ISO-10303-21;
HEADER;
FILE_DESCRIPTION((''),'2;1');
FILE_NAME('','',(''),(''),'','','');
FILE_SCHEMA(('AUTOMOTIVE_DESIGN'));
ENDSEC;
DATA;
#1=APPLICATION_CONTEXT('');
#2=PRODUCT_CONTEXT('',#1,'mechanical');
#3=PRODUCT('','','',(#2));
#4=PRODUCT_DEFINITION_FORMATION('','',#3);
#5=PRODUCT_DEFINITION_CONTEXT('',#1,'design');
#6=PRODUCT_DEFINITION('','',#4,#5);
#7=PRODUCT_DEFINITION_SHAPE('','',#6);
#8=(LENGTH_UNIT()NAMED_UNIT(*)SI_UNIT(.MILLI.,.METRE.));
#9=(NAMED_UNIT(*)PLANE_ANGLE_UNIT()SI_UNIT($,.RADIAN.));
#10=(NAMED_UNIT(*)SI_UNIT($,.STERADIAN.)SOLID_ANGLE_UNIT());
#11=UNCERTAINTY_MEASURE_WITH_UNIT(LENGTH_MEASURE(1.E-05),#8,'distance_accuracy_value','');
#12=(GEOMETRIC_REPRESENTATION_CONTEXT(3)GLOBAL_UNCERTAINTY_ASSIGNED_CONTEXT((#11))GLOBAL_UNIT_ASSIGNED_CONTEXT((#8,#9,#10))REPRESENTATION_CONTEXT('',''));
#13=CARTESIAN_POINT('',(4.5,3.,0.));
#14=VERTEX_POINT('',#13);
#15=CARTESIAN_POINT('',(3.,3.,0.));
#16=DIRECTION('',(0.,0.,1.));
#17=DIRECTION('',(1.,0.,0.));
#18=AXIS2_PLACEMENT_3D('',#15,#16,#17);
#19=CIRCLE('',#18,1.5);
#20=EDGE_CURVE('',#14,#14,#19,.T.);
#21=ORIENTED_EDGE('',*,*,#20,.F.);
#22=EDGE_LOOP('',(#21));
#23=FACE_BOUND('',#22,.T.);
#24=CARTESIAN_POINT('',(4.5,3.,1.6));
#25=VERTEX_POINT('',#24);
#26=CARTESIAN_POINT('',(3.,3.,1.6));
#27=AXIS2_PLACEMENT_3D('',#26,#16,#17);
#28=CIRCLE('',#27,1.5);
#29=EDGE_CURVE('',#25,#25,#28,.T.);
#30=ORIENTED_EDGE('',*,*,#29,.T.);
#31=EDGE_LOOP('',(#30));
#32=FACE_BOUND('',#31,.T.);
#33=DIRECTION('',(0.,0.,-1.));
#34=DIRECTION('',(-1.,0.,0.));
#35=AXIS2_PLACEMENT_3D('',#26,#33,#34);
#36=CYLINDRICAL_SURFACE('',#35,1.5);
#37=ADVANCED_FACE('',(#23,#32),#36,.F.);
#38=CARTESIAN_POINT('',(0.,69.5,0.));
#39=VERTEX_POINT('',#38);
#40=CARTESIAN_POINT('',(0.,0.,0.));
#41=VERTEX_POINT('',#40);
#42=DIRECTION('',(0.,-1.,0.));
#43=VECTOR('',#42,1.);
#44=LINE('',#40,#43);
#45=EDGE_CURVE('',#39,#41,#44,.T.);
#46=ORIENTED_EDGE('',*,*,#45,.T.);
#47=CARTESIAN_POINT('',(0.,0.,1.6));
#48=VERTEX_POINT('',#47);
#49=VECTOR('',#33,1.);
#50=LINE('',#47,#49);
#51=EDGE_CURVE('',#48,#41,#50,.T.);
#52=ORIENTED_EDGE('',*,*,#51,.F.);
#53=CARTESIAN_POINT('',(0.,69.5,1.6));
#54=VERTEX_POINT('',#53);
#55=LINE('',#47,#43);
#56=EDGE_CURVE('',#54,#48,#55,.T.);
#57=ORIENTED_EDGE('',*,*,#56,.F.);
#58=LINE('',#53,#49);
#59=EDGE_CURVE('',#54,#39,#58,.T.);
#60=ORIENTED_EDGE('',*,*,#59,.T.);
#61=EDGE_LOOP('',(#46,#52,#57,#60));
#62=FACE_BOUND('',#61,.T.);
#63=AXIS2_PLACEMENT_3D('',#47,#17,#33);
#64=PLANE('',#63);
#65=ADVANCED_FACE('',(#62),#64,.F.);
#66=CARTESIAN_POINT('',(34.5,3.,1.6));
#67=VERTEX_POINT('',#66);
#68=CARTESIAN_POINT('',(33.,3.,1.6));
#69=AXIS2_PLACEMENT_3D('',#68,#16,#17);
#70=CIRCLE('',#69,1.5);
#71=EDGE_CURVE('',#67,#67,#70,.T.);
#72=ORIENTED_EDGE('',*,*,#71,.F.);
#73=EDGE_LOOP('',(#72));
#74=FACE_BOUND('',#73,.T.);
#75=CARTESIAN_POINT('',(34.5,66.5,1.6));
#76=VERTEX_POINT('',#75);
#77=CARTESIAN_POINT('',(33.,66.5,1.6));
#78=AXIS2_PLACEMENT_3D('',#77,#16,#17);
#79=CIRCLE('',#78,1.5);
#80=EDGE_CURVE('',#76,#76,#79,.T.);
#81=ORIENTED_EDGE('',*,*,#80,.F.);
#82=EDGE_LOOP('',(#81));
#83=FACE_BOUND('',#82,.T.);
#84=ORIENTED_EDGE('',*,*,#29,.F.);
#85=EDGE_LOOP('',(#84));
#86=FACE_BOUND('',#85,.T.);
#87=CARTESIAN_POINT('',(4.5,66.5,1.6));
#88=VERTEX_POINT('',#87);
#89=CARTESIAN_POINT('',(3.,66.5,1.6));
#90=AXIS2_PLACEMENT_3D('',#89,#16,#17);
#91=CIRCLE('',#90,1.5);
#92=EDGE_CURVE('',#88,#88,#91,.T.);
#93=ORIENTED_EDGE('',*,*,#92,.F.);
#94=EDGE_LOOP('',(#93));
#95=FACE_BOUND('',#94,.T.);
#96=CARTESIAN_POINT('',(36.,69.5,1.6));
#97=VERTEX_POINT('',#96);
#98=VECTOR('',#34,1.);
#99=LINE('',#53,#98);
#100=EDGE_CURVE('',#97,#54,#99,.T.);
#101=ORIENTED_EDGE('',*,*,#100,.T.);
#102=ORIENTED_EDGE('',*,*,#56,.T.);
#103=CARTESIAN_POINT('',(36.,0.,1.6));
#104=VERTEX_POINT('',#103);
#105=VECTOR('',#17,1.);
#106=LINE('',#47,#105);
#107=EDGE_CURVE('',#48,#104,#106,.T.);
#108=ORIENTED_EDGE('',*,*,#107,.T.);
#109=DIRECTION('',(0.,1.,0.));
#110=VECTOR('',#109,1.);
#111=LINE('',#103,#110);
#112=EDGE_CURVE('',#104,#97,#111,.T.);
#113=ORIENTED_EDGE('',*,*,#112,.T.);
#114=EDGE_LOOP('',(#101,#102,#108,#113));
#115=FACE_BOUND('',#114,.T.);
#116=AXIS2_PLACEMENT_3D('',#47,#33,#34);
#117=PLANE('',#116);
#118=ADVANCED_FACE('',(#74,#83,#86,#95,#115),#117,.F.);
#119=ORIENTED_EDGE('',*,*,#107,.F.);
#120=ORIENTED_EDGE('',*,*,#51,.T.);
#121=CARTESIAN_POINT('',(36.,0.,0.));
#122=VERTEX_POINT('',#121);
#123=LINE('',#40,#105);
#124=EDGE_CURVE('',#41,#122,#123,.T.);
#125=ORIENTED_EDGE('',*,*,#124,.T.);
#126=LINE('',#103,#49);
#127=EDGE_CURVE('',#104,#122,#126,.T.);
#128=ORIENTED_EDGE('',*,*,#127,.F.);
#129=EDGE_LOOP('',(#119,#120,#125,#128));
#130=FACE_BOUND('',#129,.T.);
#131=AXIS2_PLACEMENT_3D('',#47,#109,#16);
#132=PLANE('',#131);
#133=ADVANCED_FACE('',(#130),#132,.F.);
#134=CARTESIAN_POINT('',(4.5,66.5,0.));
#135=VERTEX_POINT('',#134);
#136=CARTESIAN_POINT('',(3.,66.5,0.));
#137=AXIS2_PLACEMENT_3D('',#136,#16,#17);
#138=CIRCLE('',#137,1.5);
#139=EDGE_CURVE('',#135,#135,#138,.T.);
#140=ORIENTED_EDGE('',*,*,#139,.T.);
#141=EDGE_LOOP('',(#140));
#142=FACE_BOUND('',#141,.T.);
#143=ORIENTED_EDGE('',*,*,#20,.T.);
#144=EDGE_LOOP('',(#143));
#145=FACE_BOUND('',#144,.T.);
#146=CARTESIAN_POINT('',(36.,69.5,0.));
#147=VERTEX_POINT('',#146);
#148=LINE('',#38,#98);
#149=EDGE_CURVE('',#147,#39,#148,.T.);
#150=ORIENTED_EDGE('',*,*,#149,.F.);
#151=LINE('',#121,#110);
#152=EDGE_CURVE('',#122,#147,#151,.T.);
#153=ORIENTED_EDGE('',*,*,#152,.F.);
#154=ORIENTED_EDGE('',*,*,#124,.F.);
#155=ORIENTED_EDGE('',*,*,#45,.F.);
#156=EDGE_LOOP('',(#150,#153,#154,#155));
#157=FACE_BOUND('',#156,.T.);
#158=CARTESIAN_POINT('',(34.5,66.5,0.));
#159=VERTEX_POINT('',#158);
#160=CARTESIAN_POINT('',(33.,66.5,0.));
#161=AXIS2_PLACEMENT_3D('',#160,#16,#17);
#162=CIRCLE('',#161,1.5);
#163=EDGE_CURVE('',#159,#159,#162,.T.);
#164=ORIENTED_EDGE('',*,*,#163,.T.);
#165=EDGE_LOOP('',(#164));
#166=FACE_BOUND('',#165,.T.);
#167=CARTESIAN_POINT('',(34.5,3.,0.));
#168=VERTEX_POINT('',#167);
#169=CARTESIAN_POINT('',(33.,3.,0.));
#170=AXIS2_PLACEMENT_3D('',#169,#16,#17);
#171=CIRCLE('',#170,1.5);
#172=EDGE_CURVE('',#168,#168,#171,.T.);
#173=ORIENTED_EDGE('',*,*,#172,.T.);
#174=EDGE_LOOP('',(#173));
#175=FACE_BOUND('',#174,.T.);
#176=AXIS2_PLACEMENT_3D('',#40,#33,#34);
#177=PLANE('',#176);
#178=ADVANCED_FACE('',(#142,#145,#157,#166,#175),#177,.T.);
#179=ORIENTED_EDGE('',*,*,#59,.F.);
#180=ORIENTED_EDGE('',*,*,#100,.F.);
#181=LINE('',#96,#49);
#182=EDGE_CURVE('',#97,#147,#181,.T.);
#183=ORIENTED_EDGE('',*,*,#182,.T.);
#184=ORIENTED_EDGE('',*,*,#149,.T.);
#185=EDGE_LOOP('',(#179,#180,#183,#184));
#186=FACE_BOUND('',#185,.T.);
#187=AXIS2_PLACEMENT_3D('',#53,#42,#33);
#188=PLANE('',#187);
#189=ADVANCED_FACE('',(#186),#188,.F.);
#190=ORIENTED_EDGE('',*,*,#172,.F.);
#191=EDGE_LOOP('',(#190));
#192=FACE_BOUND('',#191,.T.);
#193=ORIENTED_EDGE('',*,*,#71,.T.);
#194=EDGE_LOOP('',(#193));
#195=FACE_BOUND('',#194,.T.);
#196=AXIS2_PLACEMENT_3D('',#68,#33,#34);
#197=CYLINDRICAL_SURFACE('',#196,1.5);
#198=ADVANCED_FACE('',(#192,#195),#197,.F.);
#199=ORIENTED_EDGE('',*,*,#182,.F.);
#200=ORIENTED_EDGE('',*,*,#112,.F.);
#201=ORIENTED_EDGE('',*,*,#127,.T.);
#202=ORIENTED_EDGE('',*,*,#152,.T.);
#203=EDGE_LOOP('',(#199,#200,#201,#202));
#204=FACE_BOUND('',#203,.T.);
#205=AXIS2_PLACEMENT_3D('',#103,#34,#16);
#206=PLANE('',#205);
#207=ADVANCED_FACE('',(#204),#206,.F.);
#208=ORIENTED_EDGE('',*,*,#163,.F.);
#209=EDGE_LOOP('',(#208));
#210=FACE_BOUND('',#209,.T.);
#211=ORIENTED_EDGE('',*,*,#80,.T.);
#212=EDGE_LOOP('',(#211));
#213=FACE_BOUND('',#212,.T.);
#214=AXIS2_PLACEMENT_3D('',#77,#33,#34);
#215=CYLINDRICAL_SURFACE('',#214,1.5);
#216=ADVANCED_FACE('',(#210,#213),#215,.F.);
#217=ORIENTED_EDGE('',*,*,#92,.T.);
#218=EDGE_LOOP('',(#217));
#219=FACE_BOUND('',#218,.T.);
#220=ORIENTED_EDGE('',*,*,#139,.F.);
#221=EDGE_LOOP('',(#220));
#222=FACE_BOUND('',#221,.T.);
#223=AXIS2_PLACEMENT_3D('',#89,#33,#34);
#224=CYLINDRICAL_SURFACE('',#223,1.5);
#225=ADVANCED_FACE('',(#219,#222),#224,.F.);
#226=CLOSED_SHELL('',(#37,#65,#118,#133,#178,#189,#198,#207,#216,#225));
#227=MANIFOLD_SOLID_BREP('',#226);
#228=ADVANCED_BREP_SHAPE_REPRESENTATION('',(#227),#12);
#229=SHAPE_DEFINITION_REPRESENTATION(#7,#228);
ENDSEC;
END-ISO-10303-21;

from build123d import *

# Parameters (mm, degrees)
SKETCH1_W           = 36
SKETCH1_H           = 69.5
SKETCH1_R           = 1.5
BOSS_EXTRUDE1_DEPTH = 1.6


with BuildPart() as part:
    # Sketch1 → Boss-Extrude1 (new body)
    with BuildSketch(Plane.XY):
        with Locations((18, 34.75)):
            Rectangle(SKETCH1_W, SKETCH1_H)
        with Locations((3, 66.5)):
            Circle(SKETCH1_R, mode=Mode.SUBTRACT)
        with Locations((33, 66.5)):
            Circle(SKETCH1_R, mode=Mode.SUBTRACT)
        with Locations((33, 3)):
            Circle(SKETCH1_R, mode=Mode.SUBTRACT)
        with Locations((3, 3)):
            Circle(SKETCH1_R, mode=Mode.SUBTRACT)
    extrude(amount=BOSS_EXTRUDE1_DEPTH)


solid = part.part
